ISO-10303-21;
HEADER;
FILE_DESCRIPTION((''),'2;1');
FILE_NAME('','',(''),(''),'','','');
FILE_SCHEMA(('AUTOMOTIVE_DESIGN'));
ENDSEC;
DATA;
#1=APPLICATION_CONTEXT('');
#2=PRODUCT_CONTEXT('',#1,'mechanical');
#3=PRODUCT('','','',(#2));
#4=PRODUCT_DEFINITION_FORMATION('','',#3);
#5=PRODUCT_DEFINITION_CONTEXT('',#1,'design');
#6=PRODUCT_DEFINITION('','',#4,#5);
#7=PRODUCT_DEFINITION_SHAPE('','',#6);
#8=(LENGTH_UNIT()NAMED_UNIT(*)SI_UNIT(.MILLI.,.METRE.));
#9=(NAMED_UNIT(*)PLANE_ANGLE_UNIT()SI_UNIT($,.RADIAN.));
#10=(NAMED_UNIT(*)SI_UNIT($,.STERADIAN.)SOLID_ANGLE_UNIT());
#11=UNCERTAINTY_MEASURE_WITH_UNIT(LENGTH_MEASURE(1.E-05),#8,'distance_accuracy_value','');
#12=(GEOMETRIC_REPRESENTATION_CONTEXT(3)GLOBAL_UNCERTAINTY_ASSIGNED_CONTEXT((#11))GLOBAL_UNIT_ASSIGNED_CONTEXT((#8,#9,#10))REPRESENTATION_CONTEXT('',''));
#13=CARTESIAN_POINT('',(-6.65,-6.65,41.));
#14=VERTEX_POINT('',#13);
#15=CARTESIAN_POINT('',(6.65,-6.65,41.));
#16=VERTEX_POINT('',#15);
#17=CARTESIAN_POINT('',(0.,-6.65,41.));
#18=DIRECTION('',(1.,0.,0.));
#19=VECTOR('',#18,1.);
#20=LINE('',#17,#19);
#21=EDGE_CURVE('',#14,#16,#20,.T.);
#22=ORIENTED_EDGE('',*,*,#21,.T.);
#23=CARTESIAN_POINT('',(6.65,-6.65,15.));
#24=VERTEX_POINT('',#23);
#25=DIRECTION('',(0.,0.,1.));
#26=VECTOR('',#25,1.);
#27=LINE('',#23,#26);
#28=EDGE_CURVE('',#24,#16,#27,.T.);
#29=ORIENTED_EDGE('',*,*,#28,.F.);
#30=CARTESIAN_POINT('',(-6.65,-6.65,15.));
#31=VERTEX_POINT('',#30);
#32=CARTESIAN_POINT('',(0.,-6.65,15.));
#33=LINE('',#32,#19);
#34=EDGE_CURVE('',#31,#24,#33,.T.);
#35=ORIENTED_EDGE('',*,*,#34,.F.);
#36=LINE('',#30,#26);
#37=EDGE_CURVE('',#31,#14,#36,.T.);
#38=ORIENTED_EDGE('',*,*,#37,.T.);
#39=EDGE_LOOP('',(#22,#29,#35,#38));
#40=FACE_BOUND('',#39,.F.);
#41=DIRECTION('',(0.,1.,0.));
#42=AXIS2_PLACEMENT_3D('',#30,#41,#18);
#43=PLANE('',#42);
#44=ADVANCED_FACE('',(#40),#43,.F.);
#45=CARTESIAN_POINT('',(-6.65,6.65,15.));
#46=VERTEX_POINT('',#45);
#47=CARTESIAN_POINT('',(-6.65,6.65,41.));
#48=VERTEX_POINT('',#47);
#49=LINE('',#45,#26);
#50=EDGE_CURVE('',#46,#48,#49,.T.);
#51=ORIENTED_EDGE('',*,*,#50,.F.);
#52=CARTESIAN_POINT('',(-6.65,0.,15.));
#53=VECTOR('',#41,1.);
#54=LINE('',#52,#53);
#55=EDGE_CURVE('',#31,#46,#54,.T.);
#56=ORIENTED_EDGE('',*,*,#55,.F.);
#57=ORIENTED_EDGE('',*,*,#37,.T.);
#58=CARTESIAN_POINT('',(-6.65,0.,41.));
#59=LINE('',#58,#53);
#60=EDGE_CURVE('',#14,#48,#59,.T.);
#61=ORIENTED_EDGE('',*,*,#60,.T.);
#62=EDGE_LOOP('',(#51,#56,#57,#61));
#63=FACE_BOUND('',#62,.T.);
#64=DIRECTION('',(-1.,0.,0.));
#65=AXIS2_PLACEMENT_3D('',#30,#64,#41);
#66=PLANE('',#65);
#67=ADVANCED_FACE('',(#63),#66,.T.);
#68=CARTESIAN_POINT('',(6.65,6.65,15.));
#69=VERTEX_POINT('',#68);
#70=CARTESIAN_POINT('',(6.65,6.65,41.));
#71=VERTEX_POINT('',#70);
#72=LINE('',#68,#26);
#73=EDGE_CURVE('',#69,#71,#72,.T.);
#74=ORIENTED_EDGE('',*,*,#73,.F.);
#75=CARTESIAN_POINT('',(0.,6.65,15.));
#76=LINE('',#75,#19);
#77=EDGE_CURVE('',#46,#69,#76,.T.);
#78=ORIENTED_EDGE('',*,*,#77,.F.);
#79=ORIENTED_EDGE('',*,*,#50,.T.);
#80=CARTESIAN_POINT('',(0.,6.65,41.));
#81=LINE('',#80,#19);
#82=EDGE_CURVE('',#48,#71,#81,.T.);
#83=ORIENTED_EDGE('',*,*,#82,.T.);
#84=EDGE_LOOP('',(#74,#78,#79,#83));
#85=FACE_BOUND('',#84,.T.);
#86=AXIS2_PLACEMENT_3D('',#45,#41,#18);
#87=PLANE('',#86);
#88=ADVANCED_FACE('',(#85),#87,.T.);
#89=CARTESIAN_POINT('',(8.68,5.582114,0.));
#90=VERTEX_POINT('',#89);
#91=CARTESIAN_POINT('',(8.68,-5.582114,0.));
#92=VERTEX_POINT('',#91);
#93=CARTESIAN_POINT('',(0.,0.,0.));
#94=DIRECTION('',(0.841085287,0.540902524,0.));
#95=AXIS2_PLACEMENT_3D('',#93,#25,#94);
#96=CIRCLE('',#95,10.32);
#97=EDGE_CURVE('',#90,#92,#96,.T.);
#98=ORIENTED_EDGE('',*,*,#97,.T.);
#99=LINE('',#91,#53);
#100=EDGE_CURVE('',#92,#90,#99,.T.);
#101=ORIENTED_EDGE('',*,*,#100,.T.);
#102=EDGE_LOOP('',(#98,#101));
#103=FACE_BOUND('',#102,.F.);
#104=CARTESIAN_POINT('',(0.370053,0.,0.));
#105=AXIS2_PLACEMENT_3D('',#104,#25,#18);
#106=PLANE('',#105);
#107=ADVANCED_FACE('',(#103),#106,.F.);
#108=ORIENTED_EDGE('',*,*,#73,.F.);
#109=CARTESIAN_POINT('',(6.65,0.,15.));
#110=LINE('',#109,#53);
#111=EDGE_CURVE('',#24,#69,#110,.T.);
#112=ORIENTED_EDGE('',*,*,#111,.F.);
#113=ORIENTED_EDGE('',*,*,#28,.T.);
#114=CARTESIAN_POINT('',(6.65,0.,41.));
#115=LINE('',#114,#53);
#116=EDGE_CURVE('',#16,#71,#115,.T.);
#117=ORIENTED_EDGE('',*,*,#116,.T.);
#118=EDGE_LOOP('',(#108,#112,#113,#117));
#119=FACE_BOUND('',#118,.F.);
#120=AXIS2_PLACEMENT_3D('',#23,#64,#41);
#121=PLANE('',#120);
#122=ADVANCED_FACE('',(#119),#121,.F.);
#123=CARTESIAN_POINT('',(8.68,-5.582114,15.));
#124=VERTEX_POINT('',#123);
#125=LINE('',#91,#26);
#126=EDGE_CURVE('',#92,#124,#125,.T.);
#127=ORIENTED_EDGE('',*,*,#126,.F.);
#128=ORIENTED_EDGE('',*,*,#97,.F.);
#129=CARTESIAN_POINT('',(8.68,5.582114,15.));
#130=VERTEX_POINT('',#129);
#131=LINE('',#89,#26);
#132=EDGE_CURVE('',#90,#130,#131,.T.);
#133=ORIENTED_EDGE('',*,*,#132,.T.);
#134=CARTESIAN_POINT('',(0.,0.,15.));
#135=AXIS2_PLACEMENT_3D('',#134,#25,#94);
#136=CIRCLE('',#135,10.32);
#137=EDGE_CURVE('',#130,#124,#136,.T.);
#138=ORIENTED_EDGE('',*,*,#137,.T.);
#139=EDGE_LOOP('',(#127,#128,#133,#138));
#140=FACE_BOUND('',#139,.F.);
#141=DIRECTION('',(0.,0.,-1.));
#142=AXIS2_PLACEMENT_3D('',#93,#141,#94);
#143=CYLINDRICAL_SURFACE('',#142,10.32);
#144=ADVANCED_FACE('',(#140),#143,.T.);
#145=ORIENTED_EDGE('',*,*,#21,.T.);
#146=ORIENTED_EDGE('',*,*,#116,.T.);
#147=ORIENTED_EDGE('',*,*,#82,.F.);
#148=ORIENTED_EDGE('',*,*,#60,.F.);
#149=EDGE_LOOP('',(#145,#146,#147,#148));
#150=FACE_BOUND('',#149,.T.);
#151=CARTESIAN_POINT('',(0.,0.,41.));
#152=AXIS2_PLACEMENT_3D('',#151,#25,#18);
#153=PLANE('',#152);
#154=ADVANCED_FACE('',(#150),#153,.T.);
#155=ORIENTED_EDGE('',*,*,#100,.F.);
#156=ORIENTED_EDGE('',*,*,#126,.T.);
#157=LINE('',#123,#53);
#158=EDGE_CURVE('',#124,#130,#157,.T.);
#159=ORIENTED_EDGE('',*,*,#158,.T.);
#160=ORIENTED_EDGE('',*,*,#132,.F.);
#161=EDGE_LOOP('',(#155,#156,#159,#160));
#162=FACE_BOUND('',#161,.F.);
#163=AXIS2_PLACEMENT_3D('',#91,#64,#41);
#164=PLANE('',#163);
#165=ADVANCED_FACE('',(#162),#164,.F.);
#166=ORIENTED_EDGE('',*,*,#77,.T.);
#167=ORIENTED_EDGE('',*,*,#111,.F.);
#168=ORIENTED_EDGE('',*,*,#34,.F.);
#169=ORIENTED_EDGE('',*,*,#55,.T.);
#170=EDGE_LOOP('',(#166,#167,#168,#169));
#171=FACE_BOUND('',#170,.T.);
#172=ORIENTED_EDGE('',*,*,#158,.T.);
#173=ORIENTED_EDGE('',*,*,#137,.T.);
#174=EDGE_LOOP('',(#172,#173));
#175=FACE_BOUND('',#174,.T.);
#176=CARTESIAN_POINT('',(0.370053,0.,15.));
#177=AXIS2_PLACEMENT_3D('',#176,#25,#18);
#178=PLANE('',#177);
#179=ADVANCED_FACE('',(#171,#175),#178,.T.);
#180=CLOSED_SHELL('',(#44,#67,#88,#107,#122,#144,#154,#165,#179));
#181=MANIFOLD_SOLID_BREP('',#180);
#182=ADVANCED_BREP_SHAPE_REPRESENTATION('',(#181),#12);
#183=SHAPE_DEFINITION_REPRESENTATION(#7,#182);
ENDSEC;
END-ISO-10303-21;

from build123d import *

# Parameters (mm, degrees)
F1_DEPTH = 15
F2_W     = 13.3
F2_H     = 13.3
F3_DEPTH = 26


with BuildPart() as f1:
    # F0 (on Top) → F1 (new body)
    with BuildSketch(Plane.XY):
        with BuildLine():
            Line((8.68, -5.582114), (8.68, 5.582114))
            ThreePointArc((8.68, 5.582114), (-10.32, 0), (8.68, -5.582114))
        make_face()
    extrude(amount=F1_DEPTH)

    # F2 (on face) → F3 (join)
    with BuildSketch(Plane.XY.offset(15)):
        Rectangle(F2_W, F2_H)
    extrude(amount=F3_DEPTH)


solid = f1.part
